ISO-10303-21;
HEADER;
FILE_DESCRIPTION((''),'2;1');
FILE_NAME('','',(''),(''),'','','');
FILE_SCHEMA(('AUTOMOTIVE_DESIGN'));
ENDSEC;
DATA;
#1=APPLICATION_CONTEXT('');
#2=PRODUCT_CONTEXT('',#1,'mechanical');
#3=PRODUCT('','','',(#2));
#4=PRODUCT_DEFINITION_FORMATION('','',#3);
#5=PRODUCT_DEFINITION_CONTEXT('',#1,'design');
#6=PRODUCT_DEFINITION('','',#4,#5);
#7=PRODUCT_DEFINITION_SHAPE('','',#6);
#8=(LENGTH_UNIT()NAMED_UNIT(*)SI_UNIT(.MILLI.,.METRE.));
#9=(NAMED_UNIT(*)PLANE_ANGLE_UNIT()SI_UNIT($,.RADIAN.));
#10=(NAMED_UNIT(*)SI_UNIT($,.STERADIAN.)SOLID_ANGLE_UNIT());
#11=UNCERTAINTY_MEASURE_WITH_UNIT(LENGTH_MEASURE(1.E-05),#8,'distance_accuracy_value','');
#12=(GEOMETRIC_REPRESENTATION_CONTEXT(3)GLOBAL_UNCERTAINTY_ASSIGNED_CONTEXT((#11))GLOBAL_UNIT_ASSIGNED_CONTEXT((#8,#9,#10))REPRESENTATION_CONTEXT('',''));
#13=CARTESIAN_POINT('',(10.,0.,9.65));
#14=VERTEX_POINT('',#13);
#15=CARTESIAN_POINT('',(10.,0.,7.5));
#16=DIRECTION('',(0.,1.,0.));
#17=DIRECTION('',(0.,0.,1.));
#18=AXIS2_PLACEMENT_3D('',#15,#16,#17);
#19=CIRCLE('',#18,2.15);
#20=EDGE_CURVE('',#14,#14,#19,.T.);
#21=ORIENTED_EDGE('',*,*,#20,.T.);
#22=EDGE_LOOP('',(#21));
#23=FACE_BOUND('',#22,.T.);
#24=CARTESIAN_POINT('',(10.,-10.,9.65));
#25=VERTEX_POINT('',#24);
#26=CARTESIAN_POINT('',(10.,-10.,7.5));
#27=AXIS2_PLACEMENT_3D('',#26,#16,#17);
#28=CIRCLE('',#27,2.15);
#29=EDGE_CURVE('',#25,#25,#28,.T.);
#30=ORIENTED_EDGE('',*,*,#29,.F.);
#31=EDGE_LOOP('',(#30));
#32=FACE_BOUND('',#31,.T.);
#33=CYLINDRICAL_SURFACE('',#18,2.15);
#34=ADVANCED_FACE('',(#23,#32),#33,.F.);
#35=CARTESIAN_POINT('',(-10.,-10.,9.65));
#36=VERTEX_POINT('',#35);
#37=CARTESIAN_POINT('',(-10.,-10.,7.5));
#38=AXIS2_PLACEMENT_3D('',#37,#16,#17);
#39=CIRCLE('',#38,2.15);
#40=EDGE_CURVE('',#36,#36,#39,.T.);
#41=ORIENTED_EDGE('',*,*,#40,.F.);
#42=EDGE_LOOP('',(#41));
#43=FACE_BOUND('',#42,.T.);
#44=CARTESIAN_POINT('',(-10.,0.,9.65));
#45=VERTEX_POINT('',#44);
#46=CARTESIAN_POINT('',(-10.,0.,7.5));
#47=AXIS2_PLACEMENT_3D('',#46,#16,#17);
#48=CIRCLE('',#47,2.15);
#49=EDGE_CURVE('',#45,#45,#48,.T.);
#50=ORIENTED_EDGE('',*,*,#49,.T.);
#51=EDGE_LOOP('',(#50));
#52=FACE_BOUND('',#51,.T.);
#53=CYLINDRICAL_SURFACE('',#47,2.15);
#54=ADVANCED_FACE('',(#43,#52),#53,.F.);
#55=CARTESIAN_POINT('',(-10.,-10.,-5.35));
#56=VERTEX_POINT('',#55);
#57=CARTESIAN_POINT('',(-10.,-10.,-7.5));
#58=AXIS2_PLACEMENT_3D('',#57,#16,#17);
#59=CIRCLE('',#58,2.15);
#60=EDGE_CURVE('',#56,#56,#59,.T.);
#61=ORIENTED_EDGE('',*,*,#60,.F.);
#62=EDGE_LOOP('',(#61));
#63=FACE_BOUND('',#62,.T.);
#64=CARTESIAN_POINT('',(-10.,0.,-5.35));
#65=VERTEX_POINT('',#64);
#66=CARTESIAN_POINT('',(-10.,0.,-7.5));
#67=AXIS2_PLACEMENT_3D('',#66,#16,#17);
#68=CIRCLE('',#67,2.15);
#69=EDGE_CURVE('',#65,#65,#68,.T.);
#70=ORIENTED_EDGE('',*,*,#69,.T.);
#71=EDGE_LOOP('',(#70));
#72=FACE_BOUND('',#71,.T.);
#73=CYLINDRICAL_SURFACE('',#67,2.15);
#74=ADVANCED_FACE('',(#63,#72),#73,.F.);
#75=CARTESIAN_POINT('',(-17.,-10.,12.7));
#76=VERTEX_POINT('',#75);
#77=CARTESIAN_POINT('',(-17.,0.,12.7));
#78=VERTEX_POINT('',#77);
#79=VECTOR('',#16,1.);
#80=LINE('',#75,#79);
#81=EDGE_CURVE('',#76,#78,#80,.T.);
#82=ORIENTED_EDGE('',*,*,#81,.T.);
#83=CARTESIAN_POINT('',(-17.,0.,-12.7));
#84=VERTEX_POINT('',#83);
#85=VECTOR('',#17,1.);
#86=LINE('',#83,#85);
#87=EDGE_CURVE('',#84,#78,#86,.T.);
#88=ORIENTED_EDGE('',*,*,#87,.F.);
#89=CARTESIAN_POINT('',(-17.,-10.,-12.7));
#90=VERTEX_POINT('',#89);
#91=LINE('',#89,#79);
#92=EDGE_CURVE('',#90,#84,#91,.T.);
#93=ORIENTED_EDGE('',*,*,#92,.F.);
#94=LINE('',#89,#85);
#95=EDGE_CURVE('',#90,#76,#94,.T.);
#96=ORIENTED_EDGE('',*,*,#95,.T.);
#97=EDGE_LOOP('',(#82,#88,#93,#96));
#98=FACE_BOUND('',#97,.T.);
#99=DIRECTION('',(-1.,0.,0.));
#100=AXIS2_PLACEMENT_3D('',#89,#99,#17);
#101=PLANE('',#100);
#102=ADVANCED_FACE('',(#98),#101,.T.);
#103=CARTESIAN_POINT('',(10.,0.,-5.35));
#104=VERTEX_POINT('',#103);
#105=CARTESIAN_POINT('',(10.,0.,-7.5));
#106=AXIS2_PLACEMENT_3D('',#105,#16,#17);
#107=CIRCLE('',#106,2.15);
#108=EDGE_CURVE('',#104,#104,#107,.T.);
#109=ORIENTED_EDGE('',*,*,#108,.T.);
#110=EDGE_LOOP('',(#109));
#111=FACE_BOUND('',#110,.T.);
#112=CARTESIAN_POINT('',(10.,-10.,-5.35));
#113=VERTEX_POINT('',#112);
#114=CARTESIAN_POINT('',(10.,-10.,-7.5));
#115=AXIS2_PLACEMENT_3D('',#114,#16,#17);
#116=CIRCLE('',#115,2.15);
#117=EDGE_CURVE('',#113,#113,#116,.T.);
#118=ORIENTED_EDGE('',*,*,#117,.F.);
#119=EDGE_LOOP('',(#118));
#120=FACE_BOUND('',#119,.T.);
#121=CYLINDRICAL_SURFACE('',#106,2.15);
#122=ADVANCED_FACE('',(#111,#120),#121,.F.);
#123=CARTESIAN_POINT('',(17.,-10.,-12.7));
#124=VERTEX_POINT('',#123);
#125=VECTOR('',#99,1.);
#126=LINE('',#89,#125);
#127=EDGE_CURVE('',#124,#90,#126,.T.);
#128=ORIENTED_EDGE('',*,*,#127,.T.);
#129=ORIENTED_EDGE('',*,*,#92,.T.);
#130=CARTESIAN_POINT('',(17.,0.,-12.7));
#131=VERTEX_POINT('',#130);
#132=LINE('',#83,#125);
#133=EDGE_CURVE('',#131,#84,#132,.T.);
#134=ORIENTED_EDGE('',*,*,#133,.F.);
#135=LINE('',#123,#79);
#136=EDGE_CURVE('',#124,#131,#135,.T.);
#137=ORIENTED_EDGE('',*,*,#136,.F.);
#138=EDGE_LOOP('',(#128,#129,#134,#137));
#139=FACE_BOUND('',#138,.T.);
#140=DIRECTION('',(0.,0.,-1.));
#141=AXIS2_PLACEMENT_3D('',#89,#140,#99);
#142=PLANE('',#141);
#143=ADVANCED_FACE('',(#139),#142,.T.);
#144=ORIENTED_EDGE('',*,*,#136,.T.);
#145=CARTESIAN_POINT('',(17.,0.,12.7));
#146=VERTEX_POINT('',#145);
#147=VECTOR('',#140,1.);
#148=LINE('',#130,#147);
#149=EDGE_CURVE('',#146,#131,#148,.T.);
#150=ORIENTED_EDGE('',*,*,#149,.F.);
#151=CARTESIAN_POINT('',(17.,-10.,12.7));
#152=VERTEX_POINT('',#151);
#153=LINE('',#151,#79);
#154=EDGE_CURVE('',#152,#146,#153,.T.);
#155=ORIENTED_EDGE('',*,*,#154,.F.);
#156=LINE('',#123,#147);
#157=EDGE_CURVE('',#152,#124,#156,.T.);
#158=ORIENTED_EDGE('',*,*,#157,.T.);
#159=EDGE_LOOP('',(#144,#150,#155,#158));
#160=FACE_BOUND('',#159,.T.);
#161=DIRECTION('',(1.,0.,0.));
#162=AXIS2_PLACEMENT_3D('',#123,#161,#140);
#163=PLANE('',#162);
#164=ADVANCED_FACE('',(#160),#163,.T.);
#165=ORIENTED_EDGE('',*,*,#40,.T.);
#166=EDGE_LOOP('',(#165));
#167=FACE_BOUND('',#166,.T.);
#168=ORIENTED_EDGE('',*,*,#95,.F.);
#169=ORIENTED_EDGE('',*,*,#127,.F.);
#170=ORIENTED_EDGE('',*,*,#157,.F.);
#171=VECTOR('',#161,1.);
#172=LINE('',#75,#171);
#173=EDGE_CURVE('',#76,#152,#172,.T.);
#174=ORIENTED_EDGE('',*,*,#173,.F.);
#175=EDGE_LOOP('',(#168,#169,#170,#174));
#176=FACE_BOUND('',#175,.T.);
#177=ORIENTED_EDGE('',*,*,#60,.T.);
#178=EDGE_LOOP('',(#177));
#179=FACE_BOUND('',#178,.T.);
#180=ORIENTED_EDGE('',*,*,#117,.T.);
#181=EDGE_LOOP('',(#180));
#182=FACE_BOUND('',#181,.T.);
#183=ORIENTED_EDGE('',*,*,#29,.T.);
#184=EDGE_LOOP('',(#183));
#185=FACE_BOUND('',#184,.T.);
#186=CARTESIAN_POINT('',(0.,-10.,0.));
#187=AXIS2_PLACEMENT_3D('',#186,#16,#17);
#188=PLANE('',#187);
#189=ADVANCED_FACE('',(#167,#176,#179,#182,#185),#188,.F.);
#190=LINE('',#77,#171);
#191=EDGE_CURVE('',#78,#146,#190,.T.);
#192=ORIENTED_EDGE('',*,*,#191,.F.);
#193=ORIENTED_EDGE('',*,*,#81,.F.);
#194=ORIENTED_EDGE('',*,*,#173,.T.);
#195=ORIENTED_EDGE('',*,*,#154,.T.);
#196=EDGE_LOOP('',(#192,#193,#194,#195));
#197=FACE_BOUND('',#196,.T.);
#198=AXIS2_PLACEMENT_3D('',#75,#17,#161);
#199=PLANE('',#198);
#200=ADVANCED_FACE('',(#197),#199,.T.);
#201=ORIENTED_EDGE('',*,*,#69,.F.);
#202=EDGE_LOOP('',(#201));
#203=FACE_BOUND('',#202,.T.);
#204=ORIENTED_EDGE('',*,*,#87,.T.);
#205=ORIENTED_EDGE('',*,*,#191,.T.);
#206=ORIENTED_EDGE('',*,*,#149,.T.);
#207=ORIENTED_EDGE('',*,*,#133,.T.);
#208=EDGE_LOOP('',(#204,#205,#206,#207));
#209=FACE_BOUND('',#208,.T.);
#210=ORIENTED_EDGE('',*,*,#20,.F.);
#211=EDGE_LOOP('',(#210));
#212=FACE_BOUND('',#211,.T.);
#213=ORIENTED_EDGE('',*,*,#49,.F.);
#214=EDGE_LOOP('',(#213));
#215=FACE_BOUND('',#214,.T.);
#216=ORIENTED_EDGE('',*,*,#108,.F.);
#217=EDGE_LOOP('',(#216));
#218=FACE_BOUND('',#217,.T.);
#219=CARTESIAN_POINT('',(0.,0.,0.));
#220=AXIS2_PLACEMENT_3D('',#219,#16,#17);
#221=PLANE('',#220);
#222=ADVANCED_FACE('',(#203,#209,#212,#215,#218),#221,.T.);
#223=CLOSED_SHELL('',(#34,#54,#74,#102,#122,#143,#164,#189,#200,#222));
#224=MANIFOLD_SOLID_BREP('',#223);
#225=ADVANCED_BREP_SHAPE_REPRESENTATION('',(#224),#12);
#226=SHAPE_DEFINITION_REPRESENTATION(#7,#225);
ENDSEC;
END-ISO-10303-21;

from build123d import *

# Parameters (mm, degrees)
SKETCH12_W           = 34
SKETCH12_H           = 25.4
BOSS_EXTRUDE2_DEPTH  = 10
M4_CLEARANCE_HOLE1_D = 4.3


with BuildPart() as part:
    # Sketch12 → Boss-Extrude2 (new body)
    with BuildSketch(Plane(origin=(0, 0, 0), x_dir=(1, 0, 0), z_dir=(0, 1, 0))):
        Rectangle(SKETCH12_W, SKETCH12_H)
    extrude(amount=-BOSS_EXTRUDE2_DEPTH)

    # M4 Clearance Hole1 (through all)
    with Locations(Plane(origin=(-10, 0, -7.5), x_dir=(0, 0, 1), z_dir=(0, 1, 0))):
        with Locations((0, 0), (15, 0), (15, 20), (0, 20)):
            Hole(M4_CLEARANCE_HOLE1_D / 2)


solid = part.part
